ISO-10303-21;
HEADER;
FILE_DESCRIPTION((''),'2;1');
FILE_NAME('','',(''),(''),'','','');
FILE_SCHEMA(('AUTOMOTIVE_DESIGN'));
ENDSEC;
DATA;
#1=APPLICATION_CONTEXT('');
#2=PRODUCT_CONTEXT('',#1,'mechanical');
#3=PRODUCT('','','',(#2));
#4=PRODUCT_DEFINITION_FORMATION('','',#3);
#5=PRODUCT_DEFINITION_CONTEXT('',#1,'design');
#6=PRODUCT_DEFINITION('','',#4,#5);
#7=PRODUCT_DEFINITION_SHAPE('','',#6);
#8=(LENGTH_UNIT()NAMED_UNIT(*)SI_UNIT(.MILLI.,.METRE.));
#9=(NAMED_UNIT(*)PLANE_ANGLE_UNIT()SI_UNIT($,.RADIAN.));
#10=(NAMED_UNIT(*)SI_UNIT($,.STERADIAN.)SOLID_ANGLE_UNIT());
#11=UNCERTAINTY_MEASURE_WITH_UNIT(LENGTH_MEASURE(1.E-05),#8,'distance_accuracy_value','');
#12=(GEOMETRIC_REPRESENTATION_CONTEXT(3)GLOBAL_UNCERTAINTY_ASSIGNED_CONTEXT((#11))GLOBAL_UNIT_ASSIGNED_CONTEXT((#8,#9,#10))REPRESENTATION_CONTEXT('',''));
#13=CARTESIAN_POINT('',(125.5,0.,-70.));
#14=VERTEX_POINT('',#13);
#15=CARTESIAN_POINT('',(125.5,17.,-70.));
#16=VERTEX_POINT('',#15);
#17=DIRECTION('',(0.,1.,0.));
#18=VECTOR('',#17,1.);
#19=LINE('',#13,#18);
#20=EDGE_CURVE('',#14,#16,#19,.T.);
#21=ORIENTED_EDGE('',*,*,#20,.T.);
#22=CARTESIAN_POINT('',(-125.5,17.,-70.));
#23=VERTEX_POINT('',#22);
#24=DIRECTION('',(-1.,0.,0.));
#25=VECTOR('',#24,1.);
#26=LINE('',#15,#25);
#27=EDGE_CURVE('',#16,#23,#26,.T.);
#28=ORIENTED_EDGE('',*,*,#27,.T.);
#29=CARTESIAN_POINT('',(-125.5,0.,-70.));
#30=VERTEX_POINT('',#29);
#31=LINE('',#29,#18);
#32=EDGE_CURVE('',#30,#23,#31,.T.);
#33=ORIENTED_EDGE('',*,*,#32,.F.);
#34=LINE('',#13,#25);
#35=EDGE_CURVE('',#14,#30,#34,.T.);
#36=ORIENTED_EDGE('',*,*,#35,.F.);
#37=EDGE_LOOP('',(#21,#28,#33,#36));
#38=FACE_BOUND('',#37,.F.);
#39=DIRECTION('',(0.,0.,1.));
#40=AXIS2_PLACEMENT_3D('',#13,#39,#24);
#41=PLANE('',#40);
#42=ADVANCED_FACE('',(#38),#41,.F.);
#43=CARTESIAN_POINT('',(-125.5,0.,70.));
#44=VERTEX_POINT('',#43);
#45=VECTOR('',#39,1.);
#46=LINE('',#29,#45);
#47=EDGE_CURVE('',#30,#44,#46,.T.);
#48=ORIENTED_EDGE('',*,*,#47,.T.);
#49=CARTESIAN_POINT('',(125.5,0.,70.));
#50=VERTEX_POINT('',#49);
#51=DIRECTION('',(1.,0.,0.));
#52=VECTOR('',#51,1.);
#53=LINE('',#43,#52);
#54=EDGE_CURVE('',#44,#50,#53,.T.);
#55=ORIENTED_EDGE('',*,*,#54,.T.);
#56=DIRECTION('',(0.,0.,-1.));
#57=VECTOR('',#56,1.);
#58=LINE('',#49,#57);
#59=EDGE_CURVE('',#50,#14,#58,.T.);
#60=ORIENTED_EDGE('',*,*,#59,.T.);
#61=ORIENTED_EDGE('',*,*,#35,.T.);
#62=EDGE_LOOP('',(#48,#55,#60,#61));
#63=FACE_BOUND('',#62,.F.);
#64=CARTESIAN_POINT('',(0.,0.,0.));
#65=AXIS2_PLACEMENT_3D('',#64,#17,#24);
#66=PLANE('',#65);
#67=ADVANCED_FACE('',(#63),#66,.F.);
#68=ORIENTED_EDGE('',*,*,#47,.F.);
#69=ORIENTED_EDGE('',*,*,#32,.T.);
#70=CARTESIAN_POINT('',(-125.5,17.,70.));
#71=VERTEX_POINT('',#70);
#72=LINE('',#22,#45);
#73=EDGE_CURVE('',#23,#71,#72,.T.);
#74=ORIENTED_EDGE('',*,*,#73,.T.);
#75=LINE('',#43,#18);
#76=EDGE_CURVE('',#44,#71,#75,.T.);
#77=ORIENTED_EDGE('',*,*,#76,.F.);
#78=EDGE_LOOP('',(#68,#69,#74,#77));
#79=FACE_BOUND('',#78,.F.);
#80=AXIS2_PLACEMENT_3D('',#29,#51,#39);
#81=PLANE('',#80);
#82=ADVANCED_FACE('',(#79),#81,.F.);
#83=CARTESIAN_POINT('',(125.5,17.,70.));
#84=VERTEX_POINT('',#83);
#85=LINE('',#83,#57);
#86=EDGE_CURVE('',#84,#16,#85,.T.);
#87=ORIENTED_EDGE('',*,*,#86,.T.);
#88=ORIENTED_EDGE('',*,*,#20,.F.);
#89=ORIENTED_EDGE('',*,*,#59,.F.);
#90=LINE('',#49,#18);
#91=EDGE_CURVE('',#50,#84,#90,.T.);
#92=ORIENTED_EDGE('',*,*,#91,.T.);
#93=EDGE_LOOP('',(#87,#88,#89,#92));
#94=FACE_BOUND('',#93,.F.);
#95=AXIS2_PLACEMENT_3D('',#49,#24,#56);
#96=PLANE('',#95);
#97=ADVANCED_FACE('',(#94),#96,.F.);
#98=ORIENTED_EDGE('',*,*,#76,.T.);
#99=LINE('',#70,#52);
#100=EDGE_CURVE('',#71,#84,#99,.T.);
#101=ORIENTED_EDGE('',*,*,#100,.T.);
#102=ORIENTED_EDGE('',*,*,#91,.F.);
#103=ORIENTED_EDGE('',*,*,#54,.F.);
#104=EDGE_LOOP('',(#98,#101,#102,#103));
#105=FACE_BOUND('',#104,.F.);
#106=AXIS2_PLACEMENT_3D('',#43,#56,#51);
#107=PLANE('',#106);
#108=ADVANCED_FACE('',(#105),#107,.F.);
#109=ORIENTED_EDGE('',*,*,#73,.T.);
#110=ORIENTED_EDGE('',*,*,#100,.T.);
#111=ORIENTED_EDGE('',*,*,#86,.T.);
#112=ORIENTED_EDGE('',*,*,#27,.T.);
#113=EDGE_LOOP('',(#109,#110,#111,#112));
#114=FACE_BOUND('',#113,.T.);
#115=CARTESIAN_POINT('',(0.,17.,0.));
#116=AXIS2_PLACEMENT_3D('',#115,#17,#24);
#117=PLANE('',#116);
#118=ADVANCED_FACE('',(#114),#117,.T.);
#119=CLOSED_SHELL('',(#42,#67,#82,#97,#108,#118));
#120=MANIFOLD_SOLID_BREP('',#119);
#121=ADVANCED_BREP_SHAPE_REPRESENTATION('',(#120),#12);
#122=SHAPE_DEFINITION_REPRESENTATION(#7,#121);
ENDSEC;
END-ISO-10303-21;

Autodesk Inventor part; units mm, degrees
ref_plane "YZ Plane" through (0, 0, 0) normal (1, 0, 0) x (0, 1, 0)
ref_plane "XZ Plane" through (0, 0, 0) normal (0, 1, 0) x (-1, 0, 0)
ref_plane "XY Plane" through (0, 0, 0) normal (0, 0, 1) x (1, 0, 0)
sketch "Sketch1" plane through (0, 0, 0) normal (0, 1, 0) x (-1, 0, 0)
  line L0 (-125.5, -70) -> (125.5, -70)
  line L1 (125.5, -70) -> (125.5, 70)
  line L2 (125.5, 70) -> (-125.5, 70)
  line L3 (-125.5, 70) -> (-125.5, -70)
  line L4 (-125.5, -70) -> (125.5, 70) construction
  line L5 (125.5, -70) -> (-125.5, 70) construction
  point P0 (0, 0)
  dimension "d0" = 140
  dimension "d1" = 251
extrude "Extrusion1" add sketch "Sketch1" along normal blind 17
properties part number "Model1"
